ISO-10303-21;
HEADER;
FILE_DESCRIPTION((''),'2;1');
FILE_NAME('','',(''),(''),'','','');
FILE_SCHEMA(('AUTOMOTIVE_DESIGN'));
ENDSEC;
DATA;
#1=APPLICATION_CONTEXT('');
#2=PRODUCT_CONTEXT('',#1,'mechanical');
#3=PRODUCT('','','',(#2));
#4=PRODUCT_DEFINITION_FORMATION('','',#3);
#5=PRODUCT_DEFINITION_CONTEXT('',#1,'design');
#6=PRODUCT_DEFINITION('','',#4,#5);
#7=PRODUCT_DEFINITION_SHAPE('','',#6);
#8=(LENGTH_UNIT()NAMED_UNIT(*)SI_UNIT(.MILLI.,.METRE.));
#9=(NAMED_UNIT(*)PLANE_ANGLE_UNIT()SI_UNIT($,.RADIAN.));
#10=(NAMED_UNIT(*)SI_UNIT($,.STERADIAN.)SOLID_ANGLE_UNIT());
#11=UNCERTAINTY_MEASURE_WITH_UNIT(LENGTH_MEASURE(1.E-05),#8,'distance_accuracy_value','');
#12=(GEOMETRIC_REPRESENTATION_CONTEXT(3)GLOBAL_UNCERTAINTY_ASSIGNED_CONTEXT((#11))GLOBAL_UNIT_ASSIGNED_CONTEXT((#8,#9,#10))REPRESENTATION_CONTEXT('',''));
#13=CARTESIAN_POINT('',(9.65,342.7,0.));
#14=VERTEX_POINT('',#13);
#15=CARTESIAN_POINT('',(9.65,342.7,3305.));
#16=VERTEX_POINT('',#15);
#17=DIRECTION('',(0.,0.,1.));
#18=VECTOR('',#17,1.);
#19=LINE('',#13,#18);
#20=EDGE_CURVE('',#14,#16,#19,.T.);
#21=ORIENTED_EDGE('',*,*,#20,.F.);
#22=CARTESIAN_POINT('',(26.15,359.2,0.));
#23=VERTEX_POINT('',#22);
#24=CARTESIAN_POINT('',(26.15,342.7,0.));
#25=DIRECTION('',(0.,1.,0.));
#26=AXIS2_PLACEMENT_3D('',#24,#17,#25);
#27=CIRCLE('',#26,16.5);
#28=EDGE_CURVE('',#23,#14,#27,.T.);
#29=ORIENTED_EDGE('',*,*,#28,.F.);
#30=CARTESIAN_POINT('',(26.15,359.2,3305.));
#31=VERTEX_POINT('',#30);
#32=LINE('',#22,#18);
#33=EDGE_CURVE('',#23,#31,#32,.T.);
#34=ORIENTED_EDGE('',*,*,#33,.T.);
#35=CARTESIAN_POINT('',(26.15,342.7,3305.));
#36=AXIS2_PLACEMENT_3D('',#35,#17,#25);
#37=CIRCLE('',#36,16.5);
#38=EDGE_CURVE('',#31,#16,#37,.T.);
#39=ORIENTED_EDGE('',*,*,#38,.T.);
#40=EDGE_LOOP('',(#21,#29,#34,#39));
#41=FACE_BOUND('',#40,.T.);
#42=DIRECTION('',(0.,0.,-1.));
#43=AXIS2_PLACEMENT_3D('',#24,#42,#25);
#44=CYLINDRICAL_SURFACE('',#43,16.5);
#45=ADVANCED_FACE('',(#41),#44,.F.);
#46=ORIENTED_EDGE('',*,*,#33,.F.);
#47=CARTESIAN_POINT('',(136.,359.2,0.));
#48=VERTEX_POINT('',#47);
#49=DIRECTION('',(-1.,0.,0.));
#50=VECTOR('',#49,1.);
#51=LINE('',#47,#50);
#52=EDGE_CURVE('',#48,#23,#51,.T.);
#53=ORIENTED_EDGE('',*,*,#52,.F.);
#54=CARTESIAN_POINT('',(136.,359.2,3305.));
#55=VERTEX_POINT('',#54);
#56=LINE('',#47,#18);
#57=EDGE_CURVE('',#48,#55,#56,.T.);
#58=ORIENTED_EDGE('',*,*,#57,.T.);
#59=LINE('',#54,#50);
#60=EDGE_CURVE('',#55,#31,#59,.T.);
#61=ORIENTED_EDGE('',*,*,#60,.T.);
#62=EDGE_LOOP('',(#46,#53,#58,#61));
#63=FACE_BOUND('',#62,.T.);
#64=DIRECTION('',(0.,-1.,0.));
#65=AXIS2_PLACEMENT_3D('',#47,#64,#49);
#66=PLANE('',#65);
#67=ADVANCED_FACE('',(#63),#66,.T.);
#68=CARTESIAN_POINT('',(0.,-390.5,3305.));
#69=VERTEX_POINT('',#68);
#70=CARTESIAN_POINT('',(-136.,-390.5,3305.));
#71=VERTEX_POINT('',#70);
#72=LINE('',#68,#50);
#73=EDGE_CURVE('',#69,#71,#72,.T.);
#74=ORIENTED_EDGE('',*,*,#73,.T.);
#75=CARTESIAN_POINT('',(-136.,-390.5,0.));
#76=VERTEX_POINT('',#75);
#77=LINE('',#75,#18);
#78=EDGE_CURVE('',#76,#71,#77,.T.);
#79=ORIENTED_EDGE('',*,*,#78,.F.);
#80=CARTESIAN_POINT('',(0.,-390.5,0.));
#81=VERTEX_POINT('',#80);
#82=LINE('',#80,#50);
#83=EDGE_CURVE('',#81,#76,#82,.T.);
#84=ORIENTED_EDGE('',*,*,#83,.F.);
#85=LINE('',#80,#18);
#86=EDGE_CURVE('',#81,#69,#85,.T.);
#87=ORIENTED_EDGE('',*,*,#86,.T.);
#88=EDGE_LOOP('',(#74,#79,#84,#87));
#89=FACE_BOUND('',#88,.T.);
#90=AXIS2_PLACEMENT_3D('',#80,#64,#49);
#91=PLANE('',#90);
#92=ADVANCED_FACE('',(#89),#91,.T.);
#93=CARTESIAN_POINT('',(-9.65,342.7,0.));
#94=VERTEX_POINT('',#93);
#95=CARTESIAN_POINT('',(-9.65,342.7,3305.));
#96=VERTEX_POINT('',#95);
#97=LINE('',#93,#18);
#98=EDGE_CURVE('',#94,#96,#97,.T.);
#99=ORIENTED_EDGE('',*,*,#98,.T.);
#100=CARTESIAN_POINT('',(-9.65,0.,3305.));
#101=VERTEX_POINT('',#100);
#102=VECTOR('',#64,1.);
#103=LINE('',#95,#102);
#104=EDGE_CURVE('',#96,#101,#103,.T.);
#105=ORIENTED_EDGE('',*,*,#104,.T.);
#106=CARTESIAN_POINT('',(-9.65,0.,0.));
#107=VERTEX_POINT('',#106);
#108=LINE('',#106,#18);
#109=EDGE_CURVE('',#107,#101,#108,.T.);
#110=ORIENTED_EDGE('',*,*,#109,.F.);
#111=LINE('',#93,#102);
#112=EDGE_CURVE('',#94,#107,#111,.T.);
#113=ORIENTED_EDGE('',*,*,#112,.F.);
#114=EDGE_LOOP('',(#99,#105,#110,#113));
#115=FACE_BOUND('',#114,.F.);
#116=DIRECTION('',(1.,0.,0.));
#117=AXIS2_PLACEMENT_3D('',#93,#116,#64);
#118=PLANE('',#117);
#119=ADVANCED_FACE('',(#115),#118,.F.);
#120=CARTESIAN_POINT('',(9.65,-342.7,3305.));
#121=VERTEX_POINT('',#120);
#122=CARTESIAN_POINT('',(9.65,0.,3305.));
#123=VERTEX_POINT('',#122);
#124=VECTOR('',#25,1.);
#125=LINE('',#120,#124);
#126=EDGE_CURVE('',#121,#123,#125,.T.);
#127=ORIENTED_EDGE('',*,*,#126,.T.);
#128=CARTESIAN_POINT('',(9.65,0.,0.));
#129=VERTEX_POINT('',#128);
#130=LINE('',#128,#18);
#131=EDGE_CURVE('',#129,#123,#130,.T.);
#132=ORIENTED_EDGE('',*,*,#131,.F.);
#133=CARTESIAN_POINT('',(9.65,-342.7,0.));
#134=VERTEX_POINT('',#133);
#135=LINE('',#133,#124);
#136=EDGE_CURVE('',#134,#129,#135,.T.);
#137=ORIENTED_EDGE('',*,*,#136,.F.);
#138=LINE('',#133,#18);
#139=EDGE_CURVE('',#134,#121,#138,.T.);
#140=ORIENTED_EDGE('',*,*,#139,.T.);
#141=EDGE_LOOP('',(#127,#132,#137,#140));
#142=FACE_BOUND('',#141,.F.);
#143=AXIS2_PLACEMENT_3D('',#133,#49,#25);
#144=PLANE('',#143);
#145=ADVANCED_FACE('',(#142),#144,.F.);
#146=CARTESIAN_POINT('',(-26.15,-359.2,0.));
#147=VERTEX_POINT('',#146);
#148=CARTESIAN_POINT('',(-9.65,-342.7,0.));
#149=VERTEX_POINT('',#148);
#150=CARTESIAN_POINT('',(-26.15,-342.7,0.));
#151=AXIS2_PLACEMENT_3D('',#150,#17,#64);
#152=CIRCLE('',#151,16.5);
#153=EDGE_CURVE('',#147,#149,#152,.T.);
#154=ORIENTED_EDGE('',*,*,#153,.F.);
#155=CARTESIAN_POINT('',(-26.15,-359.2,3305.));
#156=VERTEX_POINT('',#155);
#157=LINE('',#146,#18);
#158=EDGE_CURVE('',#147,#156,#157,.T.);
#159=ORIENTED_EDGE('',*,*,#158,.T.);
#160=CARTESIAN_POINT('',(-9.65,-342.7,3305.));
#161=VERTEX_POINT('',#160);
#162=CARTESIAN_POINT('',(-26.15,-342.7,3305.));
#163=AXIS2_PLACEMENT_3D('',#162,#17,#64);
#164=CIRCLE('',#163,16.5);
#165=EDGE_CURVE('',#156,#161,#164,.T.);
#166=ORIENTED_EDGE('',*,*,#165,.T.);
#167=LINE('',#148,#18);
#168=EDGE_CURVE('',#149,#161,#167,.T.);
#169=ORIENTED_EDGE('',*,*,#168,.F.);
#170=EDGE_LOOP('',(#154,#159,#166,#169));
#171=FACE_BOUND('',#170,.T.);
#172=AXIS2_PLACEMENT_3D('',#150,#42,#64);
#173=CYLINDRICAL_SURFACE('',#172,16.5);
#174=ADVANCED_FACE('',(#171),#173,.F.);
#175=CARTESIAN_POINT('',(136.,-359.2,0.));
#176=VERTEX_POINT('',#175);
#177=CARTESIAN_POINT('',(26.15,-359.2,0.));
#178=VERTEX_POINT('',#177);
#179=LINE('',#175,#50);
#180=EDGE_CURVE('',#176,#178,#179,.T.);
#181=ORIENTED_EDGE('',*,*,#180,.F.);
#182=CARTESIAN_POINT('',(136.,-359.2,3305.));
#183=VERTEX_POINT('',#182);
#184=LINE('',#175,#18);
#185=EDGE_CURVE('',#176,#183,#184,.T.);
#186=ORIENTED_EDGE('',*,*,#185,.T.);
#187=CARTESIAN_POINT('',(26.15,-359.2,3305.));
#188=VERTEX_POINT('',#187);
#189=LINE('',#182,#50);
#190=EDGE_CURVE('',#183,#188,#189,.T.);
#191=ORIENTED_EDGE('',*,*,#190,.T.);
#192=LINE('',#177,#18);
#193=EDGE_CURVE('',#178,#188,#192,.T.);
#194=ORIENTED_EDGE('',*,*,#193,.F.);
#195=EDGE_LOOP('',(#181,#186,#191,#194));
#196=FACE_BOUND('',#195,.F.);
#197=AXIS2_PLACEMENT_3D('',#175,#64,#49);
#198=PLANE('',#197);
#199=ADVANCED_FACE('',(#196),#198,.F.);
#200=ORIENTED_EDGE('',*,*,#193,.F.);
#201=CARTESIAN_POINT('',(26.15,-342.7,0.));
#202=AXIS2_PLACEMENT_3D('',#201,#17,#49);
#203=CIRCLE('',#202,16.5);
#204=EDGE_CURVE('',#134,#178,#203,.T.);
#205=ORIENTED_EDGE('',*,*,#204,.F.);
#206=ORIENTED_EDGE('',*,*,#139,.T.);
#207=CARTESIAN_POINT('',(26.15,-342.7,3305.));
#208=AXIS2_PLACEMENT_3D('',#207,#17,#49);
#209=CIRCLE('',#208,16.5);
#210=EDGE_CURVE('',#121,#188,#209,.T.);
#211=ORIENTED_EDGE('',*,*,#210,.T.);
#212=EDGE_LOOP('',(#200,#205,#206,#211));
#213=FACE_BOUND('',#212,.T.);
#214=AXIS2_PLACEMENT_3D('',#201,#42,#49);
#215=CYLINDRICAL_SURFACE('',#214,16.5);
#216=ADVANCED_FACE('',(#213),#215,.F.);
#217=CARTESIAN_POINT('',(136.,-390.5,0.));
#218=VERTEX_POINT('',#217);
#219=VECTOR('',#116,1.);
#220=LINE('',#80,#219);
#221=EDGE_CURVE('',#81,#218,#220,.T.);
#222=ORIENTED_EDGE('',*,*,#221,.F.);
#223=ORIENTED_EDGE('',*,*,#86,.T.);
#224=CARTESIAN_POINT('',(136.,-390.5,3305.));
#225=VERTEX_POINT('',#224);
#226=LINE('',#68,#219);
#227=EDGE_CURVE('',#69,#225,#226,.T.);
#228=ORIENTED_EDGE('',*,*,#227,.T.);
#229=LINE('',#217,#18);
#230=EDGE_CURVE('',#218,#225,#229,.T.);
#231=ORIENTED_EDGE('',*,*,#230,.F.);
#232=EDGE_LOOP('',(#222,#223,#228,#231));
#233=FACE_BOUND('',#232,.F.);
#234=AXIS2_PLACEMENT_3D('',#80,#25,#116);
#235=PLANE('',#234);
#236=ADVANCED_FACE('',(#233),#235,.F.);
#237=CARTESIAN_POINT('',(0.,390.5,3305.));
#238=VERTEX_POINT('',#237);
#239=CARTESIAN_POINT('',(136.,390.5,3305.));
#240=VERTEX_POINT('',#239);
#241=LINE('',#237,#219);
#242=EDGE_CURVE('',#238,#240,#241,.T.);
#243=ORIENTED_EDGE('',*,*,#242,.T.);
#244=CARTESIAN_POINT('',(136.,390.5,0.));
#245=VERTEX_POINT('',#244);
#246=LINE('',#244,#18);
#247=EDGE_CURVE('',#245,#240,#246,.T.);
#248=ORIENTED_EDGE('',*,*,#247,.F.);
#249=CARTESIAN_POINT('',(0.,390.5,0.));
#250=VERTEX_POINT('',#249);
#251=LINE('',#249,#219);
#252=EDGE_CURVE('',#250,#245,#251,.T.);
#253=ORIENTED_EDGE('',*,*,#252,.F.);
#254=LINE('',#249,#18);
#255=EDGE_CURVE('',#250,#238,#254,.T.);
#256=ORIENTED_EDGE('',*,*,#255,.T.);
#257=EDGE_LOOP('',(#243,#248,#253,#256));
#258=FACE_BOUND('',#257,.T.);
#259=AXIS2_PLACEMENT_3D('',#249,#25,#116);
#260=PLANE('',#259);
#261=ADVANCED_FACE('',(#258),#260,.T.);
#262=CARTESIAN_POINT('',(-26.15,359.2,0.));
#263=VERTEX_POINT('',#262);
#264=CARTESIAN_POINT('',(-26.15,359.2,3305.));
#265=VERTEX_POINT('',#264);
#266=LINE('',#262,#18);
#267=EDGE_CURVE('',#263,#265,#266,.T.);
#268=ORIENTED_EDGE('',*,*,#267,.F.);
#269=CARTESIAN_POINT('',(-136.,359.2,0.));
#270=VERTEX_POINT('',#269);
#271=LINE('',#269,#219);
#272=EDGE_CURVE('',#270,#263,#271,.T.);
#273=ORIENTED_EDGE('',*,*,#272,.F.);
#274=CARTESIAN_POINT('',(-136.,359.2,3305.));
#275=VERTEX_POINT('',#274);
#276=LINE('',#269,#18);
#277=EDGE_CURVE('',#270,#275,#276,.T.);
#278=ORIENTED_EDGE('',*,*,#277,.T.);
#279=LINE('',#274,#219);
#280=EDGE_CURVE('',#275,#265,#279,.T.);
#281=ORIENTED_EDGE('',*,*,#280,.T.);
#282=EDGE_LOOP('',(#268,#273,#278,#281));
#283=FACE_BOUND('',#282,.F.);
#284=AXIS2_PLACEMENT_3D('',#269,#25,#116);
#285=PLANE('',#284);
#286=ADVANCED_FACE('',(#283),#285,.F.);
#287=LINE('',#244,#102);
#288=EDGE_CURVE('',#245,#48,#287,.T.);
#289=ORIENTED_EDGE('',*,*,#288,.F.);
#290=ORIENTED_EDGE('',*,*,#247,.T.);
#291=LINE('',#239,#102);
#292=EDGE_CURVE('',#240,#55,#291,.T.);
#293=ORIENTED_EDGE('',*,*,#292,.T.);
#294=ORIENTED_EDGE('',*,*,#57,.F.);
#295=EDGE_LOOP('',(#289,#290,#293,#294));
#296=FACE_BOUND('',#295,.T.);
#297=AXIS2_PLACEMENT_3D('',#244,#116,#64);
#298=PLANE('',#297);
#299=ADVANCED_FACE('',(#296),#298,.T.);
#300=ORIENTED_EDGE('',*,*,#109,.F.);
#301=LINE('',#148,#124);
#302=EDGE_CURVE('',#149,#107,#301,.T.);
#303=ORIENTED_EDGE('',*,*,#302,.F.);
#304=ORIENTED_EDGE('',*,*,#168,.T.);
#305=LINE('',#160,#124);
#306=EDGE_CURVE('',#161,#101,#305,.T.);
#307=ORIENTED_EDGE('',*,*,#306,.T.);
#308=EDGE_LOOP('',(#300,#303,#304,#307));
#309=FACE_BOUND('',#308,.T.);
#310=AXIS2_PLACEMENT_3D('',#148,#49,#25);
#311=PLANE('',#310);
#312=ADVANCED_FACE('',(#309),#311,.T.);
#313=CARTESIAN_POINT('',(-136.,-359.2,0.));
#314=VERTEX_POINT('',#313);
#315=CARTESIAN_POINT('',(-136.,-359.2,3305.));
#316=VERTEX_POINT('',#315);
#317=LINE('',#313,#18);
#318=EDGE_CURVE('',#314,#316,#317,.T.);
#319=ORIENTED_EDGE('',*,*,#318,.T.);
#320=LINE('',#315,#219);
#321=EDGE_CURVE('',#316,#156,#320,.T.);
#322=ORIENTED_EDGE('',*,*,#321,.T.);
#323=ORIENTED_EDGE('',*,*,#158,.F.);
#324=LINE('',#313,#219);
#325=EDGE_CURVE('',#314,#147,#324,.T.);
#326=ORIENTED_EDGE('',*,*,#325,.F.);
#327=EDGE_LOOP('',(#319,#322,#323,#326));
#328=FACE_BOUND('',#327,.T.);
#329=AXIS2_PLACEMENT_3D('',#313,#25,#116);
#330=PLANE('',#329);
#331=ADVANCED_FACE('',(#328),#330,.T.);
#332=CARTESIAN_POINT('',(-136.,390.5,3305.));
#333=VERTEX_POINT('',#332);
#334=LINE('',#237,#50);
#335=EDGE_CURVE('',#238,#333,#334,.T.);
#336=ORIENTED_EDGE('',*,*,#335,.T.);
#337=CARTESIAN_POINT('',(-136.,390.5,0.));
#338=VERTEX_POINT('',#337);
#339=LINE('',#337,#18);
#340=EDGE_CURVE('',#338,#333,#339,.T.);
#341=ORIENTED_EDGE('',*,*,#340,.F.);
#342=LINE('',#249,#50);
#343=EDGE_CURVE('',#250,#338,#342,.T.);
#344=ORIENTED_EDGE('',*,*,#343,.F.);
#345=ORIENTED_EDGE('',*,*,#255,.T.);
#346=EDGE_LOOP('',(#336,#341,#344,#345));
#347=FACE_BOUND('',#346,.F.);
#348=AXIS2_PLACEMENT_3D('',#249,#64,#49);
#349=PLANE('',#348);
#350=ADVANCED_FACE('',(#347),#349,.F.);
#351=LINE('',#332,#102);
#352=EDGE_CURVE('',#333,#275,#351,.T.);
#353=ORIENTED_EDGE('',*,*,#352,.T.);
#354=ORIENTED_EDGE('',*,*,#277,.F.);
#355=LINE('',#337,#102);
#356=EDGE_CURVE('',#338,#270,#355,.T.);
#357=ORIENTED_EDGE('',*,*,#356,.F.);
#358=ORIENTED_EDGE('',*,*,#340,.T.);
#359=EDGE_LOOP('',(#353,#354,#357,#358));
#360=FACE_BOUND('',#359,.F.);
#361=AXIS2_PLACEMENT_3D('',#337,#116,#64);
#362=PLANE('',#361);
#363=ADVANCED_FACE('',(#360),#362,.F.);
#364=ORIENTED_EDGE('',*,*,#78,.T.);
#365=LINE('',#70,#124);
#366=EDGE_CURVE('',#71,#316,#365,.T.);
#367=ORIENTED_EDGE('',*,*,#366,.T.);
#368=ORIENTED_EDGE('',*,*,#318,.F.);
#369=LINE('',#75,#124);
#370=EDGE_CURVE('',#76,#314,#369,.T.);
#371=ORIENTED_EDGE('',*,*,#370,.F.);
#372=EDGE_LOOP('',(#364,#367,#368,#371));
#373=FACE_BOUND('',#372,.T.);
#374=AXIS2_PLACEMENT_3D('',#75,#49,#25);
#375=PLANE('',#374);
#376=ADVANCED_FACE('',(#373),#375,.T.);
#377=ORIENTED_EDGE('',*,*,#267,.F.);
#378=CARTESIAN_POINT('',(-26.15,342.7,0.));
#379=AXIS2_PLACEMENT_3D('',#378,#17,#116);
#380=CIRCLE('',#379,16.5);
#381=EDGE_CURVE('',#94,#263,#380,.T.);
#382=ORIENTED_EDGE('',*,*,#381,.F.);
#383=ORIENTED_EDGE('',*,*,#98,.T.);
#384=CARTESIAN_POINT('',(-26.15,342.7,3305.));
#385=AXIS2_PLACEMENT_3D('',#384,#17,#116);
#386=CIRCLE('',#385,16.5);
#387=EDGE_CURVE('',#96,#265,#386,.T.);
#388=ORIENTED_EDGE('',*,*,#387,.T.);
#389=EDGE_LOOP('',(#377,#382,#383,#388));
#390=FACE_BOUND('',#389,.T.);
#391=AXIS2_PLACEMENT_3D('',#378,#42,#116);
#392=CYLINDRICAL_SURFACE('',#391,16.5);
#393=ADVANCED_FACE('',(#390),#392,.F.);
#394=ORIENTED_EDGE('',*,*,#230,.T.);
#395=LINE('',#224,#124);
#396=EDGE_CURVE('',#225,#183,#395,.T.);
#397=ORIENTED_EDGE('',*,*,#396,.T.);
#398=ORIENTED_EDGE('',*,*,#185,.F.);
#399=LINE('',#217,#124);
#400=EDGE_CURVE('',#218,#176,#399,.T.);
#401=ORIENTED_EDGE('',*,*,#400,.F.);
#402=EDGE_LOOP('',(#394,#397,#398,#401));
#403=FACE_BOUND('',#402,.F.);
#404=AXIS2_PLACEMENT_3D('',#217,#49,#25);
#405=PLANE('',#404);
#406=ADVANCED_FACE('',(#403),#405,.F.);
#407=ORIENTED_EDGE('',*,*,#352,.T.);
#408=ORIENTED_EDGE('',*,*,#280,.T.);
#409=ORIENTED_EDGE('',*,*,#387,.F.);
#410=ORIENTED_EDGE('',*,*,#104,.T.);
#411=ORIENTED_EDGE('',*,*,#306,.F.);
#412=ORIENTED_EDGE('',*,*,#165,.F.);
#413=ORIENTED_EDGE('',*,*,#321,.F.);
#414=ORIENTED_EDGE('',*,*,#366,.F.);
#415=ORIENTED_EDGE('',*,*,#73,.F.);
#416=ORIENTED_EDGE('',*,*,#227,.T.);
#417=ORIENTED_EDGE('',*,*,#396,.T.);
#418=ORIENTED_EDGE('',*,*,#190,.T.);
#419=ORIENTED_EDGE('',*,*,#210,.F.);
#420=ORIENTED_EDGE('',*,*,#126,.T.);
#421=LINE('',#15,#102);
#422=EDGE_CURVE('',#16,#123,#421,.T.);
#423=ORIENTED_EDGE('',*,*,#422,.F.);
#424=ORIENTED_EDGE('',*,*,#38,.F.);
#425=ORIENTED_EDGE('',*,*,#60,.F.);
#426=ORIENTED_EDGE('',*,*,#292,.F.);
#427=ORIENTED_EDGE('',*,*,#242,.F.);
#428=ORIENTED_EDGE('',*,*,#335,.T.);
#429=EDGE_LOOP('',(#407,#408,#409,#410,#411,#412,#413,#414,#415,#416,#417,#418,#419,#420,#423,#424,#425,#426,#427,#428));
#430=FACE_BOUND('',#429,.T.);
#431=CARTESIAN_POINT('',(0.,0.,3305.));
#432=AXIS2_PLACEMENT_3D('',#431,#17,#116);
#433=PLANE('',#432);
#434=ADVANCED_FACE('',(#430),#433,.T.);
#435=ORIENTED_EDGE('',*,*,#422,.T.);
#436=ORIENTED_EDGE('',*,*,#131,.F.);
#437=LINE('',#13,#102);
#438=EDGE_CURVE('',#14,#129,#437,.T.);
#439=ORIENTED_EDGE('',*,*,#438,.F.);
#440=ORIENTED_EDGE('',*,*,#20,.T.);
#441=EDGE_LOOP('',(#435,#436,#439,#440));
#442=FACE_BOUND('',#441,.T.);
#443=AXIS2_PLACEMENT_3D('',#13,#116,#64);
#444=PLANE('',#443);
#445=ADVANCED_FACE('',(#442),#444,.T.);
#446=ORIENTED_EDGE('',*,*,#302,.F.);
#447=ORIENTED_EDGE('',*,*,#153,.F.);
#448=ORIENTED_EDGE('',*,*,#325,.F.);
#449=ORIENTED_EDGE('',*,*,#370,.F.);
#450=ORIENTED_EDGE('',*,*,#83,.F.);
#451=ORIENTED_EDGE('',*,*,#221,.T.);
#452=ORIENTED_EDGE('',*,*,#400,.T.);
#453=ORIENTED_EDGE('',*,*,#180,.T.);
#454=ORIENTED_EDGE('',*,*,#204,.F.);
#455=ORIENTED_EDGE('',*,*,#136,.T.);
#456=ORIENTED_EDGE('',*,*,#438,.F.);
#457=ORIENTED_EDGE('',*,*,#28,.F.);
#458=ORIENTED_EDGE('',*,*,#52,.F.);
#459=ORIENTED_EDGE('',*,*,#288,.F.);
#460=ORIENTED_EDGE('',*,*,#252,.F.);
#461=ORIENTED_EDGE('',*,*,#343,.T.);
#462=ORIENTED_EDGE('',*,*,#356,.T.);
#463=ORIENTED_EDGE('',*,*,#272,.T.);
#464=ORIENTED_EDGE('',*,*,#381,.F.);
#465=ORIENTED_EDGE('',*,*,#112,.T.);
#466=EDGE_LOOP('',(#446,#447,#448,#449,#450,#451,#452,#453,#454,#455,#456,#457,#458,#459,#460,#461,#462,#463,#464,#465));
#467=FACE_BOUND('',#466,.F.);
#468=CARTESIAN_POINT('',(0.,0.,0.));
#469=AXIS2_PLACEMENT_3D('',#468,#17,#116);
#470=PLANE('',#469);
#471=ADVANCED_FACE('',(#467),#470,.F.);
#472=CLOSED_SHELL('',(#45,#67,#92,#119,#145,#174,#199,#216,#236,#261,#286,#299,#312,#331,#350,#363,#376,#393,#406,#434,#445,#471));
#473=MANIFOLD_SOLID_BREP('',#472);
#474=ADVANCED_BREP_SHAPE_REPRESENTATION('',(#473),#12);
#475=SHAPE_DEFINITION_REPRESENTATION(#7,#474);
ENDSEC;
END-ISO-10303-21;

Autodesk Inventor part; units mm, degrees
ref_plane "YZ Plane" through (0, 0, 0) normal (1, 0, 0) x (0, 1, 0)
ref_plane "Start plane" through (0, 0, 0) normal (0, 0, 1) x (1, 0, 0)
ref_plane "End plane" through (0, 0, 3305) normal (0, 0, 1) x (1, 0, 0)
sketch "Sketch" plane through (0, 0, 0) normal (0, 0, 1) x (1, 0, 0)
  line L0 (-136, -390.5) -> (-136, -359.2)
  line L1 (-136, -359.2) -> (-26.15, -359.2)
  line L2 (-9.65, -342.7) -> (-9.65, 0)
  line L3 (-9.65, 0) -> (0, 0) construction
  line L4 (0, 0) -> (0, -390.5) construction
  line L5 (0, -390.5) -> (-136, -390.5)
  line L6 (-60, 0) -> (80, 0) construction
  line L7 (0, -60) -> (0, 80) construction
  line L8 (136, -390.5) -> (136, -359.2)
  line L9 (136, -359.2) -> (26.15, -359.2)
  line L10 (9.65, -342.7) -> (9.65, 0)
  line L11 (9.65, 0) -> (0, 0) construction
  line L12 (0, -390.5) -> (136, -390.5)
  line L13 (-136, 390.5) -> (-136, 359.2)
  line L14 (-136, 359.2) -> (-26.15, 359.2)
  line L15 (-9.65, 342.7) -> (-9.65, 0)
  line L16 (0, 390.5) -> (-136, 390.5)
  line L17 (136, 390.5) -> (136, 359.2)
  line L18 (136, 359.2) -> (26.15, 359.2)
  line L19 (0, 390.5) -> (136, 390.5)
  line L20 (9.65, 342.7) -> (9.65, 0)
  arc A0 (-9.65, 342.7) -> (-26.15, 359.2) centre (-26.15, 342.7) ccw
  arc A1 (26.15, 359.2) -> (9.65, 342.7) centre (26.15, 342.7) ccw
  arc A2 (9.65, -342.7) -> (26.15, -359.2) centre (26.15, -342.7) ccw
  arc A3 (-26.15, -359.2) -> (-9.65, -342.7) centre (-26.15, -342.7) ccw
  line L21 (0, 108) -> (0, -88) construction
  line L22 (-88, 0) -> (108, 0) construction
  point P0 (-9.65, -359.2)
  point P1 (9.65, -359.2)
  point P2 (-9.65, 359.2)
  point P3 (9.65, 359.2)
  dimension "d1" = 390.5
  dimension "d2" = 31.3
  dimension "d3" = 136
  dimension "d4" = 9.65
  dimension "d10" = 16.5
extrude "Body" add sketch "Sketch" along normal up to surface (3305 mm away) from surface at 0
sketch "Sketch4" plane through (0, 0, 0) normal (0, 0, 1) x (1, 0, 0)
  line L0 (0, 0) -> (10, 0)
ref_plane "Work Plane3" through (0, 0, 0) normal (0, -1, 0) x (1, 0, 0)
sketch "Sketch5" plane through (0, 0, 0) normal (0, -1, 0) x (1, 0, 0)
  line L0 (-2, 0) -> (12, 0) projected
  line L1 (-2, 3305) -> (12, 3305) projected
  dimension "d14" = 3305
equation "\"d1\" = 0.5 * G_H"
equation "\"d2\" = G_T1"
equation "\"d3\" = 0.5 * G_W"
equation "\"d4\" = 0.5 * G_T"
equation "\"d10\" = G_IR"
equation "\"d5\" = G_L"
equation "\"G_W\" = 272"
equation "\"G_H\" = 781"
equation "\"G_T\" = 19.3"
equation "\"G_T1\" = 31.3"
equation "\"G_IR\" = 16.5"
equation "\"G_L\" = d14"
equation "\"G_OFFSET_START\" = 0"
equation "\"G_OFFSET_END\" = 0"
equation "\"d12\" = G_OFFSET_END + B_L"
equation "\"B_L\" = 3305"
properties part number "AS 3679-1990 - 760 UB - 244 - 3305" material "Steel, Mild"
